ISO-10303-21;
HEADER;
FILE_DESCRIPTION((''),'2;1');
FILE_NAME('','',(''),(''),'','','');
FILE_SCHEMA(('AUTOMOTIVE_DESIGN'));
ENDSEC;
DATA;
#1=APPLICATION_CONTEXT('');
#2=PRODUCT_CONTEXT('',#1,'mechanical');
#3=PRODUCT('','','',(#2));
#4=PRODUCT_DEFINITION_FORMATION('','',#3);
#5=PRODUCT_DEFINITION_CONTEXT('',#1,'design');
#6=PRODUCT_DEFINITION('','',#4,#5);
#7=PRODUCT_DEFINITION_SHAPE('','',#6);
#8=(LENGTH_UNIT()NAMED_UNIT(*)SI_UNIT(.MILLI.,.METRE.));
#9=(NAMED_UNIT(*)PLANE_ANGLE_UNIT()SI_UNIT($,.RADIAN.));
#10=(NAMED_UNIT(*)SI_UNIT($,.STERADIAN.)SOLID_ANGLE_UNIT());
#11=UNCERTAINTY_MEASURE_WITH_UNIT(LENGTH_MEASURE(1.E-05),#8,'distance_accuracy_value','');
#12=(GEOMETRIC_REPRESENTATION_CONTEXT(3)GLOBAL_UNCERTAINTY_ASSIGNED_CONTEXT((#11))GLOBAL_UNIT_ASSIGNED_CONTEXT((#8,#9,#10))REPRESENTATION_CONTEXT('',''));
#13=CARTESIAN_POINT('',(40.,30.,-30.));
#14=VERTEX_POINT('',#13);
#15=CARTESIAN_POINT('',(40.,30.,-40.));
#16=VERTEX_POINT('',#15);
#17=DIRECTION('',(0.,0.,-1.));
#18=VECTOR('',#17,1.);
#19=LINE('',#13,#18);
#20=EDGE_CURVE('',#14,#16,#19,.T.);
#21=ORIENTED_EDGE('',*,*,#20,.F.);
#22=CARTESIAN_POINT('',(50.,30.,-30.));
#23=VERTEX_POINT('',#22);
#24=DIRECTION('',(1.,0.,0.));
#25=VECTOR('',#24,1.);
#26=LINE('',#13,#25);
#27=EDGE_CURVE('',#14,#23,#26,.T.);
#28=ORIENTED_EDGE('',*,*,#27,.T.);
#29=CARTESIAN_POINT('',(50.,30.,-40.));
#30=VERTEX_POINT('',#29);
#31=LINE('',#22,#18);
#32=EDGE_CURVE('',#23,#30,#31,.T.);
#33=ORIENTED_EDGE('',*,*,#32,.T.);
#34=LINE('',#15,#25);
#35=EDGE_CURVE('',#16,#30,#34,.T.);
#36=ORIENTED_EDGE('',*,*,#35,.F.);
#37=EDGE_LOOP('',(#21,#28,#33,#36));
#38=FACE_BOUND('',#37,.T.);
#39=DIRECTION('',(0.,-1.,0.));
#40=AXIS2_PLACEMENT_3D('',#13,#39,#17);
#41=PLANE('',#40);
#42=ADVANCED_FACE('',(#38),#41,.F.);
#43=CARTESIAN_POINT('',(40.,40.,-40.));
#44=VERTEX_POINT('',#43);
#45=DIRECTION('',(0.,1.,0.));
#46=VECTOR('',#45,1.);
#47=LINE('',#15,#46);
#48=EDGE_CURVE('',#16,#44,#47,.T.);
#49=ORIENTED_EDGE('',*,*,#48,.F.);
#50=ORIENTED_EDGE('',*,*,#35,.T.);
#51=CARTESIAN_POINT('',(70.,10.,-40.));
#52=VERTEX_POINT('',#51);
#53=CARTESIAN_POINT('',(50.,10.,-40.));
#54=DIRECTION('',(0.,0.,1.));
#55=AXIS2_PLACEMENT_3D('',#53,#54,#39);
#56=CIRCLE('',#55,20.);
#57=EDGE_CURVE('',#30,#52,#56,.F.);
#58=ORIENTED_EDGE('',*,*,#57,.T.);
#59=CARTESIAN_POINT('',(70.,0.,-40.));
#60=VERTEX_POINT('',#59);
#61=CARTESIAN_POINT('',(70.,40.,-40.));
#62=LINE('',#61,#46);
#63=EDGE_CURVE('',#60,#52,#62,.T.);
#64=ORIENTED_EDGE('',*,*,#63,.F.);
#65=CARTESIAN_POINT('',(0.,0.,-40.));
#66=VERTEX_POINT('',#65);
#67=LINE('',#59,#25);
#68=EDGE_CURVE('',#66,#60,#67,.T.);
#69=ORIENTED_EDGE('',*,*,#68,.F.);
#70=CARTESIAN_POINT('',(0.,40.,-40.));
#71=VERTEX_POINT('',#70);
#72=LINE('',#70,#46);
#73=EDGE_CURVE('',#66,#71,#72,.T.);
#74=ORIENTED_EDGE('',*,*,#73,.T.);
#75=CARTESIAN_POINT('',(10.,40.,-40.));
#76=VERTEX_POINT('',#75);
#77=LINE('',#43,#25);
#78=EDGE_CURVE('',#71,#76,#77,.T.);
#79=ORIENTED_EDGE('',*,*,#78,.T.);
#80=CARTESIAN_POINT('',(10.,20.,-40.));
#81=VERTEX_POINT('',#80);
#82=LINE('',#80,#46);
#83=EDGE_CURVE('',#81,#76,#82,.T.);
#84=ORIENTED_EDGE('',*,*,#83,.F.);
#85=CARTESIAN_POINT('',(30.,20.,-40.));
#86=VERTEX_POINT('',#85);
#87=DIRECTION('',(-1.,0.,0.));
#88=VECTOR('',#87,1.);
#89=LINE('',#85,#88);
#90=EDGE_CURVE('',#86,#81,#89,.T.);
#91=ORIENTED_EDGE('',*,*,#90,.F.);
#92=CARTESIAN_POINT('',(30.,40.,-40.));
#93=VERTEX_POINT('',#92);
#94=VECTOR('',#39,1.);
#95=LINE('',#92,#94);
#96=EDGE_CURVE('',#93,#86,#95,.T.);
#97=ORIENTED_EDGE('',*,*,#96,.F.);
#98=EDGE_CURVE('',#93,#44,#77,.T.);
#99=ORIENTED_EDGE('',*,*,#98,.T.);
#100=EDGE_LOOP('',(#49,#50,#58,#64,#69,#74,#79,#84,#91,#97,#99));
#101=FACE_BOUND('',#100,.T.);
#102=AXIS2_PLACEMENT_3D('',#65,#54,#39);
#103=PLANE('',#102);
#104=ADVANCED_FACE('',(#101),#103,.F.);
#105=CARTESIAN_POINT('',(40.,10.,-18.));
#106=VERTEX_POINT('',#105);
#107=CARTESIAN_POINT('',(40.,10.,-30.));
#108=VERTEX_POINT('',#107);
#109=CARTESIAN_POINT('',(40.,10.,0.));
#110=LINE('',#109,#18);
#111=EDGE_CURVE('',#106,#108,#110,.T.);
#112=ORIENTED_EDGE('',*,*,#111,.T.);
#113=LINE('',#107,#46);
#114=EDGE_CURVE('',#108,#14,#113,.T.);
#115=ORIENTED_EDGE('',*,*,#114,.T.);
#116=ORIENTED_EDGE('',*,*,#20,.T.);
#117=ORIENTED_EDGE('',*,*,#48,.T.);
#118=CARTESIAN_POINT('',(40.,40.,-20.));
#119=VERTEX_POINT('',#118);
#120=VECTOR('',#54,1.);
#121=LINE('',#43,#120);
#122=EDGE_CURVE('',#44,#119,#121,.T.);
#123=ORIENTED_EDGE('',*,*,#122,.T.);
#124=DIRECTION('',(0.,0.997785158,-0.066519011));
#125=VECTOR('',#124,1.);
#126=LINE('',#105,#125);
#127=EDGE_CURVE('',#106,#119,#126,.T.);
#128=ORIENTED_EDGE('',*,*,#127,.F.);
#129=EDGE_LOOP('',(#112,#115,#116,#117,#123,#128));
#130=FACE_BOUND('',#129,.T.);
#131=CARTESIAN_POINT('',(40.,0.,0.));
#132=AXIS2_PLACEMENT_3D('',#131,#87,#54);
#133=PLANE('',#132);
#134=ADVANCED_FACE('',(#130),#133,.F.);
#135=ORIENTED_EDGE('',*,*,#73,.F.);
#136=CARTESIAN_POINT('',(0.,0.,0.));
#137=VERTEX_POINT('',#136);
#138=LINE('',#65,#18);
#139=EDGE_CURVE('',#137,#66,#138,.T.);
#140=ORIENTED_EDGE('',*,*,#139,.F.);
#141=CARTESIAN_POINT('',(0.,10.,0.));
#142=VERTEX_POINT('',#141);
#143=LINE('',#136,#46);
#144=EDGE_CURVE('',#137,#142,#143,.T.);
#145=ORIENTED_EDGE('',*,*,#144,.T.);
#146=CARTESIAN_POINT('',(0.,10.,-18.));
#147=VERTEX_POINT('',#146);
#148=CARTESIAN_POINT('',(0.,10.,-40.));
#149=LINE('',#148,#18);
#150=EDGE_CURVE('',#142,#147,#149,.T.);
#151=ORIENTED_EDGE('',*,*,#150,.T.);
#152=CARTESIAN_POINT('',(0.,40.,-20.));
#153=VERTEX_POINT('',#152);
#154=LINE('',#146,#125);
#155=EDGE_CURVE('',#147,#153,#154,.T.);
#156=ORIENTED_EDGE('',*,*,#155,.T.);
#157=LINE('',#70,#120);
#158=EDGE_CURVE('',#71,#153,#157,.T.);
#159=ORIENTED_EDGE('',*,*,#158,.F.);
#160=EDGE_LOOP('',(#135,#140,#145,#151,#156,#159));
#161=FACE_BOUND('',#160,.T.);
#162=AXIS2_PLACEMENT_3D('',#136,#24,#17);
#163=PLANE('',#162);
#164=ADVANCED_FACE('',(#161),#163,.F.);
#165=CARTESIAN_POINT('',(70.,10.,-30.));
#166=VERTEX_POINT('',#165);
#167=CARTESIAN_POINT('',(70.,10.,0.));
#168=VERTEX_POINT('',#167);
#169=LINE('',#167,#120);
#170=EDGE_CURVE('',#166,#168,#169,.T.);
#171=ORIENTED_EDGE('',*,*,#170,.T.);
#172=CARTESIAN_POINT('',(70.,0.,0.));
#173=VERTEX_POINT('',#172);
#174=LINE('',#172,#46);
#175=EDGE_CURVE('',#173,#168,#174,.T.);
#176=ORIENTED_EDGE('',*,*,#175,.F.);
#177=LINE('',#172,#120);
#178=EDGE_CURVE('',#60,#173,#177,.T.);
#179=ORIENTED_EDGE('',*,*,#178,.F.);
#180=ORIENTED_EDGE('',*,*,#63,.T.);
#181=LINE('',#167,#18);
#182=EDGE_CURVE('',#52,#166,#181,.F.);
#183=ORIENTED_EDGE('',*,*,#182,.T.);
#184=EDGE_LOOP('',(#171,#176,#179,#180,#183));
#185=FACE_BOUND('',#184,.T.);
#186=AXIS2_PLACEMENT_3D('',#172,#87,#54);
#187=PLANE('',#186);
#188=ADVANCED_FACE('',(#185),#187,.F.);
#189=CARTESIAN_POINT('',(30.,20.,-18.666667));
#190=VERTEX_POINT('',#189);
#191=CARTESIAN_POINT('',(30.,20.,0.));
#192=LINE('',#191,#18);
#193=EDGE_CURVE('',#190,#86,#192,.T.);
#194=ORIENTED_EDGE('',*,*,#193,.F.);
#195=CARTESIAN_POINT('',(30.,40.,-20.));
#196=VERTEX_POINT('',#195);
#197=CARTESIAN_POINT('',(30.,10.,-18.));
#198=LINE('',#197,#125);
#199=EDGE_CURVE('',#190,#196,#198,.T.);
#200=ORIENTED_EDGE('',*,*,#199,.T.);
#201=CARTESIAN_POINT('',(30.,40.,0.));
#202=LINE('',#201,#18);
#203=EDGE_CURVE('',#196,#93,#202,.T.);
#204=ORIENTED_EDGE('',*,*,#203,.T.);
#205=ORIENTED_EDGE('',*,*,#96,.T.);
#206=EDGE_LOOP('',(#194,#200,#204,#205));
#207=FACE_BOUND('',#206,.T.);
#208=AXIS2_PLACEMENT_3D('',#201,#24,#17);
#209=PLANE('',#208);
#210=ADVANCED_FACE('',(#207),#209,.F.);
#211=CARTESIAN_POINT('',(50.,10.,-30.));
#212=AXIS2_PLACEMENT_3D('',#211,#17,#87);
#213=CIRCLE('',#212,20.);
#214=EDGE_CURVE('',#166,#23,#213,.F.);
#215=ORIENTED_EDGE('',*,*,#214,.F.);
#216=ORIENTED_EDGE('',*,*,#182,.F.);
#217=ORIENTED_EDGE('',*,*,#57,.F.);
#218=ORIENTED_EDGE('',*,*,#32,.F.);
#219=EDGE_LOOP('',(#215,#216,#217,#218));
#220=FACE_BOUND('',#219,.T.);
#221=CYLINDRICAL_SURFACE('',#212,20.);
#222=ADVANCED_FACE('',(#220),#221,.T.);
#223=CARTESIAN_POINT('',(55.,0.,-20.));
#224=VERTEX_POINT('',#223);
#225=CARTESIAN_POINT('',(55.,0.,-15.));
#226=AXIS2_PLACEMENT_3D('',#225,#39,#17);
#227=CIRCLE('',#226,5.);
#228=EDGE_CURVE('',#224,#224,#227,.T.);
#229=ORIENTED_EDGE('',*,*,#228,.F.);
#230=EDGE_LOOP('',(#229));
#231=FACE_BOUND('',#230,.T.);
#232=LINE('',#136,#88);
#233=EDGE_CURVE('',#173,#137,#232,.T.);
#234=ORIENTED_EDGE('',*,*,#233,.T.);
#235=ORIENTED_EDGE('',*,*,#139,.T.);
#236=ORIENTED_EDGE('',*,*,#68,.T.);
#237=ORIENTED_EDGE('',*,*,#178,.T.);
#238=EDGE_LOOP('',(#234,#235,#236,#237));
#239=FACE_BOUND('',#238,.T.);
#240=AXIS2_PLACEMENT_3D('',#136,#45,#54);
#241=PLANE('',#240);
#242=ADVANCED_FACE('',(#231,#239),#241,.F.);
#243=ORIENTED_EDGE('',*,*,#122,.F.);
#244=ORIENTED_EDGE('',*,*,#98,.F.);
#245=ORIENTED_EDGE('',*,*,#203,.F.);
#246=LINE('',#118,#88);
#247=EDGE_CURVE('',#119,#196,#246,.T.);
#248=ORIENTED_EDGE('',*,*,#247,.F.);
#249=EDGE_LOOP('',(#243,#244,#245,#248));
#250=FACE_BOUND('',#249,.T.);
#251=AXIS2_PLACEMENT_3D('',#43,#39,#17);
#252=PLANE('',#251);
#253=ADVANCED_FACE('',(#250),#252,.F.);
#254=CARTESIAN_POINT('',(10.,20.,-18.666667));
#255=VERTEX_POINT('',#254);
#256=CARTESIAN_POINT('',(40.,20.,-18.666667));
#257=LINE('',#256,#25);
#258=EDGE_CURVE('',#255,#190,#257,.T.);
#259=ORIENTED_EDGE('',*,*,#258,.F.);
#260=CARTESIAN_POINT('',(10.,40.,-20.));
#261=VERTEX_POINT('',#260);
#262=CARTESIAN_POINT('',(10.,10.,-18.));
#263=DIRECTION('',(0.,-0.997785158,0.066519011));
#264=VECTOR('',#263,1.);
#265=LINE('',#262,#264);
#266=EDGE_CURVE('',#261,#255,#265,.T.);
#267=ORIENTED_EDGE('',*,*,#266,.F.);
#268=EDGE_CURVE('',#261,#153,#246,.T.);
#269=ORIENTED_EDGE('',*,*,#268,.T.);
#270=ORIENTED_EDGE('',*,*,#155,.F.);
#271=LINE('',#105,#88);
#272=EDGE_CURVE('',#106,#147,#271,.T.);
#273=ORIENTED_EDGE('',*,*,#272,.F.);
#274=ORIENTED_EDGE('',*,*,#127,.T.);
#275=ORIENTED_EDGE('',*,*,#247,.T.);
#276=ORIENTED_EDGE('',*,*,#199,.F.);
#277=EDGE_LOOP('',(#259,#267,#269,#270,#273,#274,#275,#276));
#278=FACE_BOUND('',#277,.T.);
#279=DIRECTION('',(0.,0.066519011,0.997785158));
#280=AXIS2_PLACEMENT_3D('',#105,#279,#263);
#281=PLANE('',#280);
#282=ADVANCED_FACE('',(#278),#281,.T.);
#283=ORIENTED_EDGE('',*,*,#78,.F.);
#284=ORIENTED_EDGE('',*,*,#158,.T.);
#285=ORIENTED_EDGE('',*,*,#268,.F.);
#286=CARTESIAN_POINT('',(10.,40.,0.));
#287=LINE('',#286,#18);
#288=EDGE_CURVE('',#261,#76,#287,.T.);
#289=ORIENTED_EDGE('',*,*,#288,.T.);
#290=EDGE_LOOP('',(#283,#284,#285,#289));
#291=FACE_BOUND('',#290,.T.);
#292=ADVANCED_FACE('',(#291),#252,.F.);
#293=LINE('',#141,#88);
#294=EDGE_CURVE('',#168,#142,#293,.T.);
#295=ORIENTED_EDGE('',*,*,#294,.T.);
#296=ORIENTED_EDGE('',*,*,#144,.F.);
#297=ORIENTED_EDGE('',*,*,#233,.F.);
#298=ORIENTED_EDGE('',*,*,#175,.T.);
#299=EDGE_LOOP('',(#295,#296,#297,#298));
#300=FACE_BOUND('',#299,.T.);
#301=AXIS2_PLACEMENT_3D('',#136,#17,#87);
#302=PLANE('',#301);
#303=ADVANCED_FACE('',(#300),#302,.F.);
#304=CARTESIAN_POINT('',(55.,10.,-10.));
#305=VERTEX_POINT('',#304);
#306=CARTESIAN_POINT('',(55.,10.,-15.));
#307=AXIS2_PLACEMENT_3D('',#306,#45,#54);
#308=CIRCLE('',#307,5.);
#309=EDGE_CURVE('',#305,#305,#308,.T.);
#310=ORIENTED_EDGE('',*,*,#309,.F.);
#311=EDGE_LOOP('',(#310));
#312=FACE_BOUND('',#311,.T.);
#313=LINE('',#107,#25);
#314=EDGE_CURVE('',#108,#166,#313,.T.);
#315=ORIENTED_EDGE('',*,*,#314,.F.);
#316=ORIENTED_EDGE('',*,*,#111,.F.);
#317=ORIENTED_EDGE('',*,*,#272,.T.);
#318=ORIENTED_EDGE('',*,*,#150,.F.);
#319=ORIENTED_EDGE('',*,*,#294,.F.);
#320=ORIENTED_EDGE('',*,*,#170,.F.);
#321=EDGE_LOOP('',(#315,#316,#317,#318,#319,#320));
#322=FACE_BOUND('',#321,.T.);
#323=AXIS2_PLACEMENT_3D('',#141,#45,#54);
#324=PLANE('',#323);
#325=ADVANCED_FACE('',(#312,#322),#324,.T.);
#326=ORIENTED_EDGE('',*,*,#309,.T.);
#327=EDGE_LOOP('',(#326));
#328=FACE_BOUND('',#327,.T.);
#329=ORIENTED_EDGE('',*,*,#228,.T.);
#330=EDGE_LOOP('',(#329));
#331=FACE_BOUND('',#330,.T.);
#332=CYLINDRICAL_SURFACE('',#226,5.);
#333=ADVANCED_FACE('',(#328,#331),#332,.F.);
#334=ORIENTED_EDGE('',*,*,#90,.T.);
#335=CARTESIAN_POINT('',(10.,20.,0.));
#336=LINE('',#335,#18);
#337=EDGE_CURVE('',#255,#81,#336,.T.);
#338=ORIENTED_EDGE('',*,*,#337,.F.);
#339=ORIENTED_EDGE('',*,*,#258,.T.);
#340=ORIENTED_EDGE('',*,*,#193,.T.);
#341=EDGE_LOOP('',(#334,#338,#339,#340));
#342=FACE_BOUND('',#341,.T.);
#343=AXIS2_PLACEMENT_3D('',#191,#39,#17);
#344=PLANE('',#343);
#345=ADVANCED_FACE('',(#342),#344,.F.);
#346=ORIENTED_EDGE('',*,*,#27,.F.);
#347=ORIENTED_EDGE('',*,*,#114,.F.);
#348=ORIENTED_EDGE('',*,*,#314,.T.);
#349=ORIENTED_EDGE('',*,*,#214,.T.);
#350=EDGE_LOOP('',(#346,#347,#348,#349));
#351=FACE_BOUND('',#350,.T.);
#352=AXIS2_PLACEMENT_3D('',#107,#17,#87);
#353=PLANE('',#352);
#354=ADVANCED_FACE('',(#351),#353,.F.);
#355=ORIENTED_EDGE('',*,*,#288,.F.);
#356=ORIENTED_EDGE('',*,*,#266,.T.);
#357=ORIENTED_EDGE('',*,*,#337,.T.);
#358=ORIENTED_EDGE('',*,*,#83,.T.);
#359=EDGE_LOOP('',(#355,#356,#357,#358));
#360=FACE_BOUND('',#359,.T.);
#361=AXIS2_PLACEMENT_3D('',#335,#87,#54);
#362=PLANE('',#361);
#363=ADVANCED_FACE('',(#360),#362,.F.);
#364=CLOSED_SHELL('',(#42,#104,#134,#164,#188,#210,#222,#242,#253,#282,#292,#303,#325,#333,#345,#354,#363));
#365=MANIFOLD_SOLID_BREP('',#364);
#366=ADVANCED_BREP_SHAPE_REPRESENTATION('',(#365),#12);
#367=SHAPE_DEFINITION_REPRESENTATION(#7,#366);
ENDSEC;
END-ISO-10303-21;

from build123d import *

# Parameters (mm, degrees)
BOSS_EXTRUDE1_DEPTH            = 40
SKETCH2_W                      = 40
SKETCH2_H                      = 30
BOSS_EXTRUDE2_DEPTH            = 20
BOSS_EXTRUDE3_DEPTH            = 30
CUT_EXTRUDE1_DEPTH             = 30
SKETCH5_W                      = 70
SKETCH5_H                      = 40
BOSS_EXTRUDE4_DEPTH            = 10
SKETCH6_W                      = 20
SKETCH6_H                      = 20
CUT_EXTRUDE2_DEPTH             = 41
F_10_0_10_DIAMETER_HOLE1_D     = 10
F_10_0_10_DIAMETER_HOLE1_DEPTH = 40
FILLET1_R                      = 20


with BuildPart() as part:
    # Sketch1 → Boss-Extrude1 (new body)
    with BuildSketch(Plane(origin=(0, 0, 0), x_dir=(0, -1, 0), z_dir=(-1, 0, 0))):
        Polygon((-10, -18), (-40, -20), (-10, -20), align=None)
    extrude(amount=-BOSS_EXTRUDE1_DEPTH)

    # Sketch2 → Boss-Extrude2 (add)
    with BuildSketch(Plane(origin=(0, 0, -20), x_dir=(-1, 0, 0), z_dir=(0, 0, -1))):
        with Locations((-20, 25)):
            Rectangle(SKETCH2_W, SKETCH2_H)
    extrude(amount=BOSS_EXTRUDE2_DEPTH)

    # Sketch3 → Boss-Extrude3 (add)
    with BuildSketch(Plane(origin=(40, 0, 0), x_dir=(0, 0, -1), z_dir=(1, 0, 0))):
        Polygon((40, 10), (0, 10), (20, 40), (40, 40), align=None)
    extrude(amount=BOSS_EXTRUDE3_DEPTH)

    # Sketch4 → Cut-Extrude1 (cut)
    with BuildSketch(Plane(origin=(70, 0, 0), x_dir=(0, 0, -1), z_dir=(1, 0, 0))):
        Polygon((20, 40), (0, 10), (30, 10), (30, 30), (40, 30), (40, 40), align=None)
    extrude(amount=-CUT_EXTRUDE1_DEPTH, mode=Mode.SUBTRACT)

    # Sketch5 → Boss-Extrude4 (add)
    with BuildSketch(Plane.XZ.offset(-10)):
        with Locations((35, -20)):
            Rectangle(SKETCH5_W, SKETCH5_H)
    extrude(amount=BOSS_EXTRUDE4_DEPTH)

    # Sketch6 → Cut-Extrude2 (cut, through all)
    with BuildSketch(Plane(origin=(0, 0, -40), x_dir=(-1, 0, 0), z_dir=(0, 0, -1))):
        with Locations((-20, 30)):
            Rectangle(SKETCH6_W, SKETCH6_H)
    extrude(amount=-CUT_EXTRUDE2_DEPTH, mode=Mode.SUBTRACT)

    # Ø10.0 (10) Diameter Hole1
    with Locations(Plane(origin=(0, 0, 0), x_dir=(-1, 0, 0), z_dir=(0, -1, 0))):
        with Locations((-55, 15)):
            Hole(F_10_0_10_DIAMETER_HOLE1_D / 2, depth=F_10_0_10_DIAMETER_HOLE1_DEPTH)

    # Fillet1
    fillet1_edges = [part.edges().sort_by_distance(p)[0] for p in [
        (70, 30, -35),
    ]]
    fillet(fillet1_edges, radius=FILLET1_R)


solid = part.part
